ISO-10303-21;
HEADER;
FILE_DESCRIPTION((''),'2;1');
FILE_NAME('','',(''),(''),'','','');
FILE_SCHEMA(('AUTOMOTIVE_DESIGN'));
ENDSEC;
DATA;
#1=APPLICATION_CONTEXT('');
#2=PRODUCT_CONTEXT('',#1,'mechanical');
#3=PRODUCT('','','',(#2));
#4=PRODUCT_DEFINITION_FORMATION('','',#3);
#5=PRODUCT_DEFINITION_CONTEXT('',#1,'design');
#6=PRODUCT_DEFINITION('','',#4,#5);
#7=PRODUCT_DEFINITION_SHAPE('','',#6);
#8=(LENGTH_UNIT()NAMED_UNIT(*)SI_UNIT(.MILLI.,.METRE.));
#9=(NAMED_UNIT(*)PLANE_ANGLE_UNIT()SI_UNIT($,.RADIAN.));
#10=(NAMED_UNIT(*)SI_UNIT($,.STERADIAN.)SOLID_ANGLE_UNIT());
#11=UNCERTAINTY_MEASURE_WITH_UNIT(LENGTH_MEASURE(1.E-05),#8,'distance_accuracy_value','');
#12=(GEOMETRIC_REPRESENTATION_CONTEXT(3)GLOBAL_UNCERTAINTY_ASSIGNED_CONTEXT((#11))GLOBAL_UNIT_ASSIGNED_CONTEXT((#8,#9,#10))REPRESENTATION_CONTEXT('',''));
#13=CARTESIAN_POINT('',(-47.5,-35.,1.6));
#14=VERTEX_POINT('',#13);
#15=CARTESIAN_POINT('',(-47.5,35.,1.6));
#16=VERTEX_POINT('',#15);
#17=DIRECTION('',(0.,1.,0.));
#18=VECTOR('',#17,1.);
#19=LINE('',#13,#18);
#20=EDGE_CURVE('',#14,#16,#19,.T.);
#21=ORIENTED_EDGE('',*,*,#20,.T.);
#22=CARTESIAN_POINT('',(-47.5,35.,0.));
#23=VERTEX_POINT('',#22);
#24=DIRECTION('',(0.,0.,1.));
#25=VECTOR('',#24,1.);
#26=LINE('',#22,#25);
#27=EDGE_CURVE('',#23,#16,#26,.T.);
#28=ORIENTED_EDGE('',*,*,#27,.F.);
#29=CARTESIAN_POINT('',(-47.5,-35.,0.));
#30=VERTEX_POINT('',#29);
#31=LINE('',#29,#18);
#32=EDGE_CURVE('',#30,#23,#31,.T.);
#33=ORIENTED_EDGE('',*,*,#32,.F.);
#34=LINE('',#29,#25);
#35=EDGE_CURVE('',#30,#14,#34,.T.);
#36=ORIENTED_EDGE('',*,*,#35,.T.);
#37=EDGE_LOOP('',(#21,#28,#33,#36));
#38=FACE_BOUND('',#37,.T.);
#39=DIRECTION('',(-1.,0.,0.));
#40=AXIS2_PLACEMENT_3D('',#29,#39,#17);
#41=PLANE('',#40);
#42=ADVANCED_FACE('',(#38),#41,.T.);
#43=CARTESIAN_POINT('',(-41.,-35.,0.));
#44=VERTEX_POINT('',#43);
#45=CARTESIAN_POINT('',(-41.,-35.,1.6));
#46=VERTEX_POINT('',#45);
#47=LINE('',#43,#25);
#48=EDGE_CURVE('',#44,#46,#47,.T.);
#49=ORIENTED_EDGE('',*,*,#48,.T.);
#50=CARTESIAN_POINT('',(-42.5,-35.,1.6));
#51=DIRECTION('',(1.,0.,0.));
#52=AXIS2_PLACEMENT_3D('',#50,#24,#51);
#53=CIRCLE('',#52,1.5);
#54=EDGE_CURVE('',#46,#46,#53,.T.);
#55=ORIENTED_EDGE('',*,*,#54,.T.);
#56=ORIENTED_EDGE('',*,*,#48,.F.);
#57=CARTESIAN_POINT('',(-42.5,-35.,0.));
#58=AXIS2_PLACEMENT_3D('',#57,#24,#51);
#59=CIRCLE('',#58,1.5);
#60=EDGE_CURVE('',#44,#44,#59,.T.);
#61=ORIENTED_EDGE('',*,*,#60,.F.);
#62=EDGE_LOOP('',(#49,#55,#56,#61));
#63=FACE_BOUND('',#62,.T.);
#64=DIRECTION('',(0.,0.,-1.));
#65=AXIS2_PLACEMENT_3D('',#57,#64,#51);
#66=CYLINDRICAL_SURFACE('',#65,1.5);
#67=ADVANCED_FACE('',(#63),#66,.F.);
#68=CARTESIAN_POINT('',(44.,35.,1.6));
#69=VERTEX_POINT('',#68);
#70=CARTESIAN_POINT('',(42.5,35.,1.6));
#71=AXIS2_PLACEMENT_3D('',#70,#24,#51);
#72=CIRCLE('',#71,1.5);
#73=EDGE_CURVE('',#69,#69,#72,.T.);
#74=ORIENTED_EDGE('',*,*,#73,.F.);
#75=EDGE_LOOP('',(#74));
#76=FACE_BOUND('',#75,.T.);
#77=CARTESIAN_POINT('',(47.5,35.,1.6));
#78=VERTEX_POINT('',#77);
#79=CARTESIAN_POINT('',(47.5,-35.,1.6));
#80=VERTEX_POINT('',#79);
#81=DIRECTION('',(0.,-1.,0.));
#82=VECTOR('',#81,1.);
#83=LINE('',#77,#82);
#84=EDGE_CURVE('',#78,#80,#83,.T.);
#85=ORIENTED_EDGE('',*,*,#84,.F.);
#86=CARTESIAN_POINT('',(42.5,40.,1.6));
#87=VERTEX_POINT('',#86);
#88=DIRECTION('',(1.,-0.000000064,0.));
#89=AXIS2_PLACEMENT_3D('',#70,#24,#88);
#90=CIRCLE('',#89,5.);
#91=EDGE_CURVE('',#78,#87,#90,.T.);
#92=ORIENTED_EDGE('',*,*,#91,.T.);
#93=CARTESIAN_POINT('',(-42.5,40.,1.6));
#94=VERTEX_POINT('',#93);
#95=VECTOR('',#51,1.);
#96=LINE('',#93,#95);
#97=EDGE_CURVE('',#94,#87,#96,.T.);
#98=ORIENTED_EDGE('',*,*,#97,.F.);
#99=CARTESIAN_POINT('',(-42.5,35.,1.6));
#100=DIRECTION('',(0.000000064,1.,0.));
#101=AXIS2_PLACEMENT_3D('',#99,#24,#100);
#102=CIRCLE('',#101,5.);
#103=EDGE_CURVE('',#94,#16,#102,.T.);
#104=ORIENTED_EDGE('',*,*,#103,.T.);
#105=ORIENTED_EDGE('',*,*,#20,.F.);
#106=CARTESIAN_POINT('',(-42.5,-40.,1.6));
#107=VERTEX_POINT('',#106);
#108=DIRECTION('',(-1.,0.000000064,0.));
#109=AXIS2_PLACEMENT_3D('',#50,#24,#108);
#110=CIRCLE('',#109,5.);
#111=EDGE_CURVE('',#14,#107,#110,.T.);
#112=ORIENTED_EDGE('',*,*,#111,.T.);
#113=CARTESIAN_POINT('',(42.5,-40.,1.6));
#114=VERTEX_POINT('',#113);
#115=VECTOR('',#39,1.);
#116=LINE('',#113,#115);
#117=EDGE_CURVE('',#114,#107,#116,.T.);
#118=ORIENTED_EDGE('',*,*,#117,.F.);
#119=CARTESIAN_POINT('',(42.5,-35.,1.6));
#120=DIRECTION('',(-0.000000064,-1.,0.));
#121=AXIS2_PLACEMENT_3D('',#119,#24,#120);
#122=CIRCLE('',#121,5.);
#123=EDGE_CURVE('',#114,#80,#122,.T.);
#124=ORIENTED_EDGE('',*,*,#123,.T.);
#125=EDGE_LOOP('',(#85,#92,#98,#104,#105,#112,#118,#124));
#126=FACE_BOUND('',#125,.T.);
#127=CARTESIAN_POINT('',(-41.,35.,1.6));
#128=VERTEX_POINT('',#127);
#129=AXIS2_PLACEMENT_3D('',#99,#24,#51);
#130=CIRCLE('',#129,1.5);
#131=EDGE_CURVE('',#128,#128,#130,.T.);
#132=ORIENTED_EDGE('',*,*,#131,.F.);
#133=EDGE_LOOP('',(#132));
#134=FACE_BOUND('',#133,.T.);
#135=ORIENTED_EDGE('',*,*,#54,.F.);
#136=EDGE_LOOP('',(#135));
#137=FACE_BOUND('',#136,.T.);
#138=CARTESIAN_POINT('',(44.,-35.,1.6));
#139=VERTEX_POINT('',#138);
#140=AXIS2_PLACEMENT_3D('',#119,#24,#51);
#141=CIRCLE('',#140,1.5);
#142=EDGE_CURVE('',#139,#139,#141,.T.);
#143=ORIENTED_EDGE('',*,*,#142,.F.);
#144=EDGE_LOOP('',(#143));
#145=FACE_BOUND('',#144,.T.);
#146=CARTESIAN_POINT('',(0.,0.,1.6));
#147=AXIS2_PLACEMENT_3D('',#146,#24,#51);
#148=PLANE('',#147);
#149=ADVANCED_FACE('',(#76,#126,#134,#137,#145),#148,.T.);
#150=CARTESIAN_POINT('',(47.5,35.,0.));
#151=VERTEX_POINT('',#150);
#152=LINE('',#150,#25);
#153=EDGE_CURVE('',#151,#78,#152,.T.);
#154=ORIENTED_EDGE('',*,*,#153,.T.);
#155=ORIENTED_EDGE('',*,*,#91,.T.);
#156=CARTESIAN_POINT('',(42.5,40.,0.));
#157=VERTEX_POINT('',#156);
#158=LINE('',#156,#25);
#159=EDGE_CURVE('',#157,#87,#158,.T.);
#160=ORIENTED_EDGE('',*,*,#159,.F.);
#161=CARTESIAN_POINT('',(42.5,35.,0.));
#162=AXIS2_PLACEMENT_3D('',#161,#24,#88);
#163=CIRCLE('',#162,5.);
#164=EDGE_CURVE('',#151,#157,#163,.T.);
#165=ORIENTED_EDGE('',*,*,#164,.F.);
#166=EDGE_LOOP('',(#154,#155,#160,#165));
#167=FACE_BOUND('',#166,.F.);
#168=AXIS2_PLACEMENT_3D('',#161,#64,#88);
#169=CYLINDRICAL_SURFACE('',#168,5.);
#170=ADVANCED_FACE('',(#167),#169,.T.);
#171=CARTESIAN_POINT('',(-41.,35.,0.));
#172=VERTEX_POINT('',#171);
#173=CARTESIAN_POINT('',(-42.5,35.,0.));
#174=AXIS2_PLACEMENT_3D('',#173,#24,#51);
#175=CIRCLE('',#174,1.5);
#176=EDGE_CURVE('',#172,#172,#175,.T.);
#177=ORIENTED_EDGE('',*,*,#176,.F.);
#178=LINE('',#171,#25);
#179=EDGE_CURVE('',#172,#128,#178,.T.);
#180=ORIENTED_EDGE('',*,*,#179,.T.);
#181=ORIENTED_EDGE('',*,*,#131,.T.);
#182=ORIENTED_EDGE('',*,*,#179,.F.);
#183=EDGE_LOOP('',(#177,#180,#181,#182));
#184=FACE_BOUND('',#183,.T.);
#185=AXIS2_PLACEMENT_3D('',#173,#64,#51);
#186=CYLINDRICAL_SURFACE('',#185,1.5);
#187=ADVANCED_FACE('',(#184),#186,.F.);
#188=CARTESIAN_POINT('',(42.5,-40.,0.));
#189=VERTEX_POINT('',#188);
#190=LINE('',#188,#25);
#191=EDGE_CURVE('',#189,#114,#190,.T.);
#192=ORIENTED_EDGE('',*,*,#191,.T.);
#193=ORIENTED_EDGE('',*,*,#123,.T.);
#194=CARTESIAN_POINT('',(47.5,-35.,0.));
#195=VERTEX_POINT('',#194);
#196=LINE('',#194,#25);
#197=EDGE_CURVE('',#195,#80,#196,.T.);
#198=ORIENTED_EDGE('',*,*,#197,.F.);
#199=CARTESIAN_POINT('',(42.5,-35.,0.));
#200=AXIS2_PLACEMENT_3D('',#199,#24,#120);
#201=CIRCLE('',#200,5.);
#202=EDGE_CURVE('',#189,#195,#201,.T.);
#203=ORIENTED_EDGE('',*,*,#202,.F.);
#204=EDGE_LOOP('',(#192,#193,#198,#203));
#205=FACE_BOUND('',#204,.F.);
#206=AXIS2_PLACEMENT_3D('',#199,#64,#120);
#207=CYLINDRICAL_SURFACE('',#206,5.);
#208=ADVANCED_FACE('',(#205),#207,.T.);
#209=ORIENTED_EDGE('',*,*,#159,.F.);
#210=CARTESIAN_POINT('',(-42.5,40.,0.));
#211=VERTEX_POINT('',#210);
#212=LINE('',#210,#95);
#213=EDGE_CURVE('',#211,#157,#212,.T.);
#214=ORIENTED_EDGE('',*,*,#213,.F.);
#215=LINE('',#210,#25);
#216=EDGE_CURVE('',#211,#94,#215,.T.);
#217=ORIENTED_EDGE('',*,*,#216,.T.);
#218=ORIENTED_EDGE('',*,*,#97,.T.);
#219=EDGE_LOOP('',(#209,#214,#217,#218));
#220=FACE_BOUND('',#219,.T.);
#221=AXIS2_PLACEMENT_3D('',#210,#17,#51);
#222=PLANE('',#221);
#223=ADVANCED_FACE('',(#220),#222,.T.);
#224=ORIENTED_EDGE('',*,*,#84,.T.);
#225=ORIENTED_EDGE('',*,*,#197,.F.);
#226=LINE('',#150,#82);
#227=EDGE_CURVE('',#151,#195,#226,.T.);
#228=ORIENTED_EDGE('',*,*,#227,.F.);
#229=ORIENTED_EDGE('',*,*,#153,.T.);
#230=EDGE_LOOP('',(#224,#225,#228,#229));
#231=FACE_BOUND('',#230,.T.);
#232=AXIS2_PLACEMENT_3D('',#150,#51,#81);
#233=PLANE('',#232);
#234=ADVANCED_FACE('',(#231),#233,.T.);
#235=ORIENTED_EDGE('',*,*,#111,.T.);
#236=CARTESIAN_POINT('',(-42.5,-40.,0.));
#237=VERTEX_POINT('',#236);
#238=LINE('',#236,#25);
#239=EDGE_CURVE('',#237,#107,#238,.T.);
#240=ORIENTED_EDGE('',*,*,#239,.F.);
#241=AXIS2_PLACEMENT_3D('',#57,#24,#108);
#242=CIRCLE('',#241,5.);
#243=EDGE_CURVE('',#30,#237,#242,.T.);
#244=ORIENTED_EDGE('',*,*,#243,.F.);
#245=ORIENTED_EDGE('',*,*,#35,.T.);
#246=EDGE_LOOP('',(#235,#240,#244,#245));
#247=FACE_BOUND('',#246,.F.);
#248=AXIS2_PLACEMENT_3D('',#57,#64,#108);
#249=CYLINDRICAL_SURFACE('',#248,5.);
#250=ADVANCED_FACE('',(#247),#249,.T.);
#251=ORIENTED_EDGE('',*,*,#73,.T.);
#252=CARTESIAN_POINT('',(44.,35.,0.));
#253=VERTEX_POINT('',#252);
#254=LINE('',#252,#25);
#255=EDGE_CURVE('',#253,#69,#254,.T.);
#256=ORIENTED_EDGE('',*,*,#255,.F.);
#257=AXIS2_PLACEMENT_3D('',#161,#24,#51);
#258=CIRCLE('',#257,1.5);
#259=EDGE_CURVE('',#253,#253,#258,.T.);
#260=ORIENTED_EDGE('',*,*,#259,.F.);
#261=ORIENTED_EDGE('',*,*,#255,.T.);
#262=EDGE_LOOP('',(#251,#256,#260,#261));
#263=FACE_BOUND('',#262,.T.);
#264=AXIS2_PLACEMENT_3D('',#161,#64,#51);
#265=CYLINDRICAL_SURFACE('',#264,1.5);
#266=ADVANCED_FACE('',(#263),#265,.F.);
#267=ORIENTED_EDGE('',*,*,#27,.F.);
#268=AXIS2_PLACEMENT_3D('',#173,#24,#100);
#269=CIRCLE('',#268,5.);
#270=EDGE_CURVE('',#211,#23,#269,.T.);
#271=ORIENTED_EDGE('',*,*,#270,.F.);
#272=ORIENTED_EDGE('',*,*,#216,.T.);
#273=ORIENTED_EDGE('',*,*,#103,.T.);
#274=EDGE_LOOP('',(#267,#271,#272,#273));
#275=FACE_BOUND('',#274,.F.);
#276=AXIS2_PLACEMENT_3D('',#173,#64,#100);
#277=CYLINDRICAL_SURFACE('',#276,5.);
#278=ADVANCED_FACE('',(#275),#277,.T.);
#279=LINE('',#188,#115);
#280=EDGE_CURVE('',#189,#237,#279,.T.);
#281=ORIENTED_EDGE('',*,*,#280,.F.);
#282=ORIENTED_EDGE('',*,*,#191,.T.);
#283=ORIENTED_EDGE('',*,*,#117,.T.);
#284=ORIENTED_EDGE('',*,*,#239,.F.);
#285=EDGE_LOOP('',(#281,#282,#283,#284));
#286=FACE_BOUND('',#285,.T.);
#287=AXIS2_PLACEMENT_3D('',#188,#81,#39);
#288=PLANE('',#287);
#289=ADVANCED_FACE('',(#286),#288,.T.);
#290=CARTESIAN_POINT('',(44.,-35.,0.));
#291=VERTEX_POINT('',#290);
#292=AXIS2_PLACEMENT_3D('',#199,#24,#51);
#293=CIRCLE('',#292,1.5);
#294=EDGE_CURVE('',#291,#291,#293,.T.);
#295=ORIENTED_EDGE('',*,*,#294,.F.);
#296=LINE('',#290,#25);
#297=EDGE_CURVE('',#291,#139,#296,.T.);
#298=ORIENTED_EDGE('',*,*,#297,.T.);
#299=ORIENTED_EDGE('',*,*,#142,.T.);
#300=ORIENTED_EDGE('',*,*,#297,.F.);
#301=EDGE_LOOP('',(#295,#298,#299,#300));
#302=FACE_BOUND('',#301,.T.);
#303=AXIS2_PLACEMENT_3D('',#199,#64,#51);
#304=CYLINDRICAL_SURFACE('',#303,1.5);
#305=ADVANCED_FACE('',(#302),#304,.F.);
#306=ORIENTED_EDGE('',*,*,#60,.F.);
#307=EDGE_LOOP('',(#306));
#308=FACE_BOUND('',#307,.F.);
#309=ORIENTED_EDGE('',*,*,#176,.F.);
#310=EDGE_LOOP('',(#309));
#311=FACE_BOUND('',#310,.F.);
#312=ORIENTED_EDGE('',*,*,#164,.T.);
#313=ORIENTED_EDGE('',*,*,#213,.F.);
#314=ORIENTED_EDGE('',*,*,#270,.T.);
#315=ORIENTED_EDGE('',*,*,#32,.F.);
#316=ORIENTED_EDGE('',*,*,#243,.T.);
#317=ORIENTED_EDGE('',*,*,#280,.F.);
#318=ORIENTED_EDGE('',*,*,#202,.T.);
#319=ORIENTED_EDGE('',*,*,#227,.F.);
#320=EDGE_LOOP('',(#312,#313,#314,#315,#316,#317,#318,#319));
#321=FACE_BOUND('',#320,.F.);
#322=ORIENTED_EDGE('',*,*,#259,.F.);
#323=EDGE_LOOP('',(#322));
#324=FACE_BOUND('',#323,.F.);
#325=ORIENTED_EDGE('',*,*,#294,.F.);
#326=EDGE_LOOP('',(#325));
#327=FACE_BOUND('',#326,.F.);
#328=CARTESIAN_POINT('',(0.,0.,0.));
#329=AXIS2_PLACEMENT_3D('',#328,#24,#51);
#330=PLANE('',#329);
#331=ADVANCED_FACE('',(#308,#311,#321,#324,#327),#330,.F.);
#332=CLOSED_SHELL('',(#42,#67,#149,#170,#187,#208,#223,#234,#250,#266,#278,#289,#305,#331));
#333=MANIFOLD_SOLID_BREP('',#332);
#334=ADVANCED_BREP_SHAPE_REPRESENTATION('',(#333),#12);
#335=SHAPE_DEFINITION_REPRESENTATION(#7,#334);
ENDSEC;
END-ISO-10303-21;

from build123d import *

# Parameters (mm, degrees)
SKETCH_R  = 1.5
PAD_DEPTH = 1.6


with BuildPart() as part:
    # Sketch → Pad (new body)
    with BuildSketch(Plane.XY):
        with BuildLine():
            ThreePointArc((-42.5, 40), (-46.035534, 38.535534), (-47.5, 35))
            Line((-47.5, -35), (-47.5, 35))
            ThreePointArc((-47.5, -35), (-46.035534, -38.535534), (-42.5, -40))
            Line((42.5, -40), (-42.5, -40))
            ThreePointArc((42.5, -40), (46.035534, -38.535534), (47.5, -35))
            Line((47.5, 35), (47.5, -35))
            ThreePointArc((47.5, 35), (46.035534, 38.535534), (42.5, 40))
            Line((-42.5, 40), (42.5, 40))
        make_face()
        with Locations((-42.5, 35)):
            Circle(SKETCH_R, mode=Mode.SUBTRACT)
        with Locations((-42.5, -35)):
            Circle(SKETCH_R, mode=Mode.SUBTRACT)
        with Locations((42.5, -35)):
            Circle(SKETCH_R, mode=Mode.SUBTRACT)
        with Locations((42.5, 35)):
            Circle(SKETCH_R, mode=Mode.SUBTRACT)
    extrude(amount=PAD_DEPTH)


solid = part.part
